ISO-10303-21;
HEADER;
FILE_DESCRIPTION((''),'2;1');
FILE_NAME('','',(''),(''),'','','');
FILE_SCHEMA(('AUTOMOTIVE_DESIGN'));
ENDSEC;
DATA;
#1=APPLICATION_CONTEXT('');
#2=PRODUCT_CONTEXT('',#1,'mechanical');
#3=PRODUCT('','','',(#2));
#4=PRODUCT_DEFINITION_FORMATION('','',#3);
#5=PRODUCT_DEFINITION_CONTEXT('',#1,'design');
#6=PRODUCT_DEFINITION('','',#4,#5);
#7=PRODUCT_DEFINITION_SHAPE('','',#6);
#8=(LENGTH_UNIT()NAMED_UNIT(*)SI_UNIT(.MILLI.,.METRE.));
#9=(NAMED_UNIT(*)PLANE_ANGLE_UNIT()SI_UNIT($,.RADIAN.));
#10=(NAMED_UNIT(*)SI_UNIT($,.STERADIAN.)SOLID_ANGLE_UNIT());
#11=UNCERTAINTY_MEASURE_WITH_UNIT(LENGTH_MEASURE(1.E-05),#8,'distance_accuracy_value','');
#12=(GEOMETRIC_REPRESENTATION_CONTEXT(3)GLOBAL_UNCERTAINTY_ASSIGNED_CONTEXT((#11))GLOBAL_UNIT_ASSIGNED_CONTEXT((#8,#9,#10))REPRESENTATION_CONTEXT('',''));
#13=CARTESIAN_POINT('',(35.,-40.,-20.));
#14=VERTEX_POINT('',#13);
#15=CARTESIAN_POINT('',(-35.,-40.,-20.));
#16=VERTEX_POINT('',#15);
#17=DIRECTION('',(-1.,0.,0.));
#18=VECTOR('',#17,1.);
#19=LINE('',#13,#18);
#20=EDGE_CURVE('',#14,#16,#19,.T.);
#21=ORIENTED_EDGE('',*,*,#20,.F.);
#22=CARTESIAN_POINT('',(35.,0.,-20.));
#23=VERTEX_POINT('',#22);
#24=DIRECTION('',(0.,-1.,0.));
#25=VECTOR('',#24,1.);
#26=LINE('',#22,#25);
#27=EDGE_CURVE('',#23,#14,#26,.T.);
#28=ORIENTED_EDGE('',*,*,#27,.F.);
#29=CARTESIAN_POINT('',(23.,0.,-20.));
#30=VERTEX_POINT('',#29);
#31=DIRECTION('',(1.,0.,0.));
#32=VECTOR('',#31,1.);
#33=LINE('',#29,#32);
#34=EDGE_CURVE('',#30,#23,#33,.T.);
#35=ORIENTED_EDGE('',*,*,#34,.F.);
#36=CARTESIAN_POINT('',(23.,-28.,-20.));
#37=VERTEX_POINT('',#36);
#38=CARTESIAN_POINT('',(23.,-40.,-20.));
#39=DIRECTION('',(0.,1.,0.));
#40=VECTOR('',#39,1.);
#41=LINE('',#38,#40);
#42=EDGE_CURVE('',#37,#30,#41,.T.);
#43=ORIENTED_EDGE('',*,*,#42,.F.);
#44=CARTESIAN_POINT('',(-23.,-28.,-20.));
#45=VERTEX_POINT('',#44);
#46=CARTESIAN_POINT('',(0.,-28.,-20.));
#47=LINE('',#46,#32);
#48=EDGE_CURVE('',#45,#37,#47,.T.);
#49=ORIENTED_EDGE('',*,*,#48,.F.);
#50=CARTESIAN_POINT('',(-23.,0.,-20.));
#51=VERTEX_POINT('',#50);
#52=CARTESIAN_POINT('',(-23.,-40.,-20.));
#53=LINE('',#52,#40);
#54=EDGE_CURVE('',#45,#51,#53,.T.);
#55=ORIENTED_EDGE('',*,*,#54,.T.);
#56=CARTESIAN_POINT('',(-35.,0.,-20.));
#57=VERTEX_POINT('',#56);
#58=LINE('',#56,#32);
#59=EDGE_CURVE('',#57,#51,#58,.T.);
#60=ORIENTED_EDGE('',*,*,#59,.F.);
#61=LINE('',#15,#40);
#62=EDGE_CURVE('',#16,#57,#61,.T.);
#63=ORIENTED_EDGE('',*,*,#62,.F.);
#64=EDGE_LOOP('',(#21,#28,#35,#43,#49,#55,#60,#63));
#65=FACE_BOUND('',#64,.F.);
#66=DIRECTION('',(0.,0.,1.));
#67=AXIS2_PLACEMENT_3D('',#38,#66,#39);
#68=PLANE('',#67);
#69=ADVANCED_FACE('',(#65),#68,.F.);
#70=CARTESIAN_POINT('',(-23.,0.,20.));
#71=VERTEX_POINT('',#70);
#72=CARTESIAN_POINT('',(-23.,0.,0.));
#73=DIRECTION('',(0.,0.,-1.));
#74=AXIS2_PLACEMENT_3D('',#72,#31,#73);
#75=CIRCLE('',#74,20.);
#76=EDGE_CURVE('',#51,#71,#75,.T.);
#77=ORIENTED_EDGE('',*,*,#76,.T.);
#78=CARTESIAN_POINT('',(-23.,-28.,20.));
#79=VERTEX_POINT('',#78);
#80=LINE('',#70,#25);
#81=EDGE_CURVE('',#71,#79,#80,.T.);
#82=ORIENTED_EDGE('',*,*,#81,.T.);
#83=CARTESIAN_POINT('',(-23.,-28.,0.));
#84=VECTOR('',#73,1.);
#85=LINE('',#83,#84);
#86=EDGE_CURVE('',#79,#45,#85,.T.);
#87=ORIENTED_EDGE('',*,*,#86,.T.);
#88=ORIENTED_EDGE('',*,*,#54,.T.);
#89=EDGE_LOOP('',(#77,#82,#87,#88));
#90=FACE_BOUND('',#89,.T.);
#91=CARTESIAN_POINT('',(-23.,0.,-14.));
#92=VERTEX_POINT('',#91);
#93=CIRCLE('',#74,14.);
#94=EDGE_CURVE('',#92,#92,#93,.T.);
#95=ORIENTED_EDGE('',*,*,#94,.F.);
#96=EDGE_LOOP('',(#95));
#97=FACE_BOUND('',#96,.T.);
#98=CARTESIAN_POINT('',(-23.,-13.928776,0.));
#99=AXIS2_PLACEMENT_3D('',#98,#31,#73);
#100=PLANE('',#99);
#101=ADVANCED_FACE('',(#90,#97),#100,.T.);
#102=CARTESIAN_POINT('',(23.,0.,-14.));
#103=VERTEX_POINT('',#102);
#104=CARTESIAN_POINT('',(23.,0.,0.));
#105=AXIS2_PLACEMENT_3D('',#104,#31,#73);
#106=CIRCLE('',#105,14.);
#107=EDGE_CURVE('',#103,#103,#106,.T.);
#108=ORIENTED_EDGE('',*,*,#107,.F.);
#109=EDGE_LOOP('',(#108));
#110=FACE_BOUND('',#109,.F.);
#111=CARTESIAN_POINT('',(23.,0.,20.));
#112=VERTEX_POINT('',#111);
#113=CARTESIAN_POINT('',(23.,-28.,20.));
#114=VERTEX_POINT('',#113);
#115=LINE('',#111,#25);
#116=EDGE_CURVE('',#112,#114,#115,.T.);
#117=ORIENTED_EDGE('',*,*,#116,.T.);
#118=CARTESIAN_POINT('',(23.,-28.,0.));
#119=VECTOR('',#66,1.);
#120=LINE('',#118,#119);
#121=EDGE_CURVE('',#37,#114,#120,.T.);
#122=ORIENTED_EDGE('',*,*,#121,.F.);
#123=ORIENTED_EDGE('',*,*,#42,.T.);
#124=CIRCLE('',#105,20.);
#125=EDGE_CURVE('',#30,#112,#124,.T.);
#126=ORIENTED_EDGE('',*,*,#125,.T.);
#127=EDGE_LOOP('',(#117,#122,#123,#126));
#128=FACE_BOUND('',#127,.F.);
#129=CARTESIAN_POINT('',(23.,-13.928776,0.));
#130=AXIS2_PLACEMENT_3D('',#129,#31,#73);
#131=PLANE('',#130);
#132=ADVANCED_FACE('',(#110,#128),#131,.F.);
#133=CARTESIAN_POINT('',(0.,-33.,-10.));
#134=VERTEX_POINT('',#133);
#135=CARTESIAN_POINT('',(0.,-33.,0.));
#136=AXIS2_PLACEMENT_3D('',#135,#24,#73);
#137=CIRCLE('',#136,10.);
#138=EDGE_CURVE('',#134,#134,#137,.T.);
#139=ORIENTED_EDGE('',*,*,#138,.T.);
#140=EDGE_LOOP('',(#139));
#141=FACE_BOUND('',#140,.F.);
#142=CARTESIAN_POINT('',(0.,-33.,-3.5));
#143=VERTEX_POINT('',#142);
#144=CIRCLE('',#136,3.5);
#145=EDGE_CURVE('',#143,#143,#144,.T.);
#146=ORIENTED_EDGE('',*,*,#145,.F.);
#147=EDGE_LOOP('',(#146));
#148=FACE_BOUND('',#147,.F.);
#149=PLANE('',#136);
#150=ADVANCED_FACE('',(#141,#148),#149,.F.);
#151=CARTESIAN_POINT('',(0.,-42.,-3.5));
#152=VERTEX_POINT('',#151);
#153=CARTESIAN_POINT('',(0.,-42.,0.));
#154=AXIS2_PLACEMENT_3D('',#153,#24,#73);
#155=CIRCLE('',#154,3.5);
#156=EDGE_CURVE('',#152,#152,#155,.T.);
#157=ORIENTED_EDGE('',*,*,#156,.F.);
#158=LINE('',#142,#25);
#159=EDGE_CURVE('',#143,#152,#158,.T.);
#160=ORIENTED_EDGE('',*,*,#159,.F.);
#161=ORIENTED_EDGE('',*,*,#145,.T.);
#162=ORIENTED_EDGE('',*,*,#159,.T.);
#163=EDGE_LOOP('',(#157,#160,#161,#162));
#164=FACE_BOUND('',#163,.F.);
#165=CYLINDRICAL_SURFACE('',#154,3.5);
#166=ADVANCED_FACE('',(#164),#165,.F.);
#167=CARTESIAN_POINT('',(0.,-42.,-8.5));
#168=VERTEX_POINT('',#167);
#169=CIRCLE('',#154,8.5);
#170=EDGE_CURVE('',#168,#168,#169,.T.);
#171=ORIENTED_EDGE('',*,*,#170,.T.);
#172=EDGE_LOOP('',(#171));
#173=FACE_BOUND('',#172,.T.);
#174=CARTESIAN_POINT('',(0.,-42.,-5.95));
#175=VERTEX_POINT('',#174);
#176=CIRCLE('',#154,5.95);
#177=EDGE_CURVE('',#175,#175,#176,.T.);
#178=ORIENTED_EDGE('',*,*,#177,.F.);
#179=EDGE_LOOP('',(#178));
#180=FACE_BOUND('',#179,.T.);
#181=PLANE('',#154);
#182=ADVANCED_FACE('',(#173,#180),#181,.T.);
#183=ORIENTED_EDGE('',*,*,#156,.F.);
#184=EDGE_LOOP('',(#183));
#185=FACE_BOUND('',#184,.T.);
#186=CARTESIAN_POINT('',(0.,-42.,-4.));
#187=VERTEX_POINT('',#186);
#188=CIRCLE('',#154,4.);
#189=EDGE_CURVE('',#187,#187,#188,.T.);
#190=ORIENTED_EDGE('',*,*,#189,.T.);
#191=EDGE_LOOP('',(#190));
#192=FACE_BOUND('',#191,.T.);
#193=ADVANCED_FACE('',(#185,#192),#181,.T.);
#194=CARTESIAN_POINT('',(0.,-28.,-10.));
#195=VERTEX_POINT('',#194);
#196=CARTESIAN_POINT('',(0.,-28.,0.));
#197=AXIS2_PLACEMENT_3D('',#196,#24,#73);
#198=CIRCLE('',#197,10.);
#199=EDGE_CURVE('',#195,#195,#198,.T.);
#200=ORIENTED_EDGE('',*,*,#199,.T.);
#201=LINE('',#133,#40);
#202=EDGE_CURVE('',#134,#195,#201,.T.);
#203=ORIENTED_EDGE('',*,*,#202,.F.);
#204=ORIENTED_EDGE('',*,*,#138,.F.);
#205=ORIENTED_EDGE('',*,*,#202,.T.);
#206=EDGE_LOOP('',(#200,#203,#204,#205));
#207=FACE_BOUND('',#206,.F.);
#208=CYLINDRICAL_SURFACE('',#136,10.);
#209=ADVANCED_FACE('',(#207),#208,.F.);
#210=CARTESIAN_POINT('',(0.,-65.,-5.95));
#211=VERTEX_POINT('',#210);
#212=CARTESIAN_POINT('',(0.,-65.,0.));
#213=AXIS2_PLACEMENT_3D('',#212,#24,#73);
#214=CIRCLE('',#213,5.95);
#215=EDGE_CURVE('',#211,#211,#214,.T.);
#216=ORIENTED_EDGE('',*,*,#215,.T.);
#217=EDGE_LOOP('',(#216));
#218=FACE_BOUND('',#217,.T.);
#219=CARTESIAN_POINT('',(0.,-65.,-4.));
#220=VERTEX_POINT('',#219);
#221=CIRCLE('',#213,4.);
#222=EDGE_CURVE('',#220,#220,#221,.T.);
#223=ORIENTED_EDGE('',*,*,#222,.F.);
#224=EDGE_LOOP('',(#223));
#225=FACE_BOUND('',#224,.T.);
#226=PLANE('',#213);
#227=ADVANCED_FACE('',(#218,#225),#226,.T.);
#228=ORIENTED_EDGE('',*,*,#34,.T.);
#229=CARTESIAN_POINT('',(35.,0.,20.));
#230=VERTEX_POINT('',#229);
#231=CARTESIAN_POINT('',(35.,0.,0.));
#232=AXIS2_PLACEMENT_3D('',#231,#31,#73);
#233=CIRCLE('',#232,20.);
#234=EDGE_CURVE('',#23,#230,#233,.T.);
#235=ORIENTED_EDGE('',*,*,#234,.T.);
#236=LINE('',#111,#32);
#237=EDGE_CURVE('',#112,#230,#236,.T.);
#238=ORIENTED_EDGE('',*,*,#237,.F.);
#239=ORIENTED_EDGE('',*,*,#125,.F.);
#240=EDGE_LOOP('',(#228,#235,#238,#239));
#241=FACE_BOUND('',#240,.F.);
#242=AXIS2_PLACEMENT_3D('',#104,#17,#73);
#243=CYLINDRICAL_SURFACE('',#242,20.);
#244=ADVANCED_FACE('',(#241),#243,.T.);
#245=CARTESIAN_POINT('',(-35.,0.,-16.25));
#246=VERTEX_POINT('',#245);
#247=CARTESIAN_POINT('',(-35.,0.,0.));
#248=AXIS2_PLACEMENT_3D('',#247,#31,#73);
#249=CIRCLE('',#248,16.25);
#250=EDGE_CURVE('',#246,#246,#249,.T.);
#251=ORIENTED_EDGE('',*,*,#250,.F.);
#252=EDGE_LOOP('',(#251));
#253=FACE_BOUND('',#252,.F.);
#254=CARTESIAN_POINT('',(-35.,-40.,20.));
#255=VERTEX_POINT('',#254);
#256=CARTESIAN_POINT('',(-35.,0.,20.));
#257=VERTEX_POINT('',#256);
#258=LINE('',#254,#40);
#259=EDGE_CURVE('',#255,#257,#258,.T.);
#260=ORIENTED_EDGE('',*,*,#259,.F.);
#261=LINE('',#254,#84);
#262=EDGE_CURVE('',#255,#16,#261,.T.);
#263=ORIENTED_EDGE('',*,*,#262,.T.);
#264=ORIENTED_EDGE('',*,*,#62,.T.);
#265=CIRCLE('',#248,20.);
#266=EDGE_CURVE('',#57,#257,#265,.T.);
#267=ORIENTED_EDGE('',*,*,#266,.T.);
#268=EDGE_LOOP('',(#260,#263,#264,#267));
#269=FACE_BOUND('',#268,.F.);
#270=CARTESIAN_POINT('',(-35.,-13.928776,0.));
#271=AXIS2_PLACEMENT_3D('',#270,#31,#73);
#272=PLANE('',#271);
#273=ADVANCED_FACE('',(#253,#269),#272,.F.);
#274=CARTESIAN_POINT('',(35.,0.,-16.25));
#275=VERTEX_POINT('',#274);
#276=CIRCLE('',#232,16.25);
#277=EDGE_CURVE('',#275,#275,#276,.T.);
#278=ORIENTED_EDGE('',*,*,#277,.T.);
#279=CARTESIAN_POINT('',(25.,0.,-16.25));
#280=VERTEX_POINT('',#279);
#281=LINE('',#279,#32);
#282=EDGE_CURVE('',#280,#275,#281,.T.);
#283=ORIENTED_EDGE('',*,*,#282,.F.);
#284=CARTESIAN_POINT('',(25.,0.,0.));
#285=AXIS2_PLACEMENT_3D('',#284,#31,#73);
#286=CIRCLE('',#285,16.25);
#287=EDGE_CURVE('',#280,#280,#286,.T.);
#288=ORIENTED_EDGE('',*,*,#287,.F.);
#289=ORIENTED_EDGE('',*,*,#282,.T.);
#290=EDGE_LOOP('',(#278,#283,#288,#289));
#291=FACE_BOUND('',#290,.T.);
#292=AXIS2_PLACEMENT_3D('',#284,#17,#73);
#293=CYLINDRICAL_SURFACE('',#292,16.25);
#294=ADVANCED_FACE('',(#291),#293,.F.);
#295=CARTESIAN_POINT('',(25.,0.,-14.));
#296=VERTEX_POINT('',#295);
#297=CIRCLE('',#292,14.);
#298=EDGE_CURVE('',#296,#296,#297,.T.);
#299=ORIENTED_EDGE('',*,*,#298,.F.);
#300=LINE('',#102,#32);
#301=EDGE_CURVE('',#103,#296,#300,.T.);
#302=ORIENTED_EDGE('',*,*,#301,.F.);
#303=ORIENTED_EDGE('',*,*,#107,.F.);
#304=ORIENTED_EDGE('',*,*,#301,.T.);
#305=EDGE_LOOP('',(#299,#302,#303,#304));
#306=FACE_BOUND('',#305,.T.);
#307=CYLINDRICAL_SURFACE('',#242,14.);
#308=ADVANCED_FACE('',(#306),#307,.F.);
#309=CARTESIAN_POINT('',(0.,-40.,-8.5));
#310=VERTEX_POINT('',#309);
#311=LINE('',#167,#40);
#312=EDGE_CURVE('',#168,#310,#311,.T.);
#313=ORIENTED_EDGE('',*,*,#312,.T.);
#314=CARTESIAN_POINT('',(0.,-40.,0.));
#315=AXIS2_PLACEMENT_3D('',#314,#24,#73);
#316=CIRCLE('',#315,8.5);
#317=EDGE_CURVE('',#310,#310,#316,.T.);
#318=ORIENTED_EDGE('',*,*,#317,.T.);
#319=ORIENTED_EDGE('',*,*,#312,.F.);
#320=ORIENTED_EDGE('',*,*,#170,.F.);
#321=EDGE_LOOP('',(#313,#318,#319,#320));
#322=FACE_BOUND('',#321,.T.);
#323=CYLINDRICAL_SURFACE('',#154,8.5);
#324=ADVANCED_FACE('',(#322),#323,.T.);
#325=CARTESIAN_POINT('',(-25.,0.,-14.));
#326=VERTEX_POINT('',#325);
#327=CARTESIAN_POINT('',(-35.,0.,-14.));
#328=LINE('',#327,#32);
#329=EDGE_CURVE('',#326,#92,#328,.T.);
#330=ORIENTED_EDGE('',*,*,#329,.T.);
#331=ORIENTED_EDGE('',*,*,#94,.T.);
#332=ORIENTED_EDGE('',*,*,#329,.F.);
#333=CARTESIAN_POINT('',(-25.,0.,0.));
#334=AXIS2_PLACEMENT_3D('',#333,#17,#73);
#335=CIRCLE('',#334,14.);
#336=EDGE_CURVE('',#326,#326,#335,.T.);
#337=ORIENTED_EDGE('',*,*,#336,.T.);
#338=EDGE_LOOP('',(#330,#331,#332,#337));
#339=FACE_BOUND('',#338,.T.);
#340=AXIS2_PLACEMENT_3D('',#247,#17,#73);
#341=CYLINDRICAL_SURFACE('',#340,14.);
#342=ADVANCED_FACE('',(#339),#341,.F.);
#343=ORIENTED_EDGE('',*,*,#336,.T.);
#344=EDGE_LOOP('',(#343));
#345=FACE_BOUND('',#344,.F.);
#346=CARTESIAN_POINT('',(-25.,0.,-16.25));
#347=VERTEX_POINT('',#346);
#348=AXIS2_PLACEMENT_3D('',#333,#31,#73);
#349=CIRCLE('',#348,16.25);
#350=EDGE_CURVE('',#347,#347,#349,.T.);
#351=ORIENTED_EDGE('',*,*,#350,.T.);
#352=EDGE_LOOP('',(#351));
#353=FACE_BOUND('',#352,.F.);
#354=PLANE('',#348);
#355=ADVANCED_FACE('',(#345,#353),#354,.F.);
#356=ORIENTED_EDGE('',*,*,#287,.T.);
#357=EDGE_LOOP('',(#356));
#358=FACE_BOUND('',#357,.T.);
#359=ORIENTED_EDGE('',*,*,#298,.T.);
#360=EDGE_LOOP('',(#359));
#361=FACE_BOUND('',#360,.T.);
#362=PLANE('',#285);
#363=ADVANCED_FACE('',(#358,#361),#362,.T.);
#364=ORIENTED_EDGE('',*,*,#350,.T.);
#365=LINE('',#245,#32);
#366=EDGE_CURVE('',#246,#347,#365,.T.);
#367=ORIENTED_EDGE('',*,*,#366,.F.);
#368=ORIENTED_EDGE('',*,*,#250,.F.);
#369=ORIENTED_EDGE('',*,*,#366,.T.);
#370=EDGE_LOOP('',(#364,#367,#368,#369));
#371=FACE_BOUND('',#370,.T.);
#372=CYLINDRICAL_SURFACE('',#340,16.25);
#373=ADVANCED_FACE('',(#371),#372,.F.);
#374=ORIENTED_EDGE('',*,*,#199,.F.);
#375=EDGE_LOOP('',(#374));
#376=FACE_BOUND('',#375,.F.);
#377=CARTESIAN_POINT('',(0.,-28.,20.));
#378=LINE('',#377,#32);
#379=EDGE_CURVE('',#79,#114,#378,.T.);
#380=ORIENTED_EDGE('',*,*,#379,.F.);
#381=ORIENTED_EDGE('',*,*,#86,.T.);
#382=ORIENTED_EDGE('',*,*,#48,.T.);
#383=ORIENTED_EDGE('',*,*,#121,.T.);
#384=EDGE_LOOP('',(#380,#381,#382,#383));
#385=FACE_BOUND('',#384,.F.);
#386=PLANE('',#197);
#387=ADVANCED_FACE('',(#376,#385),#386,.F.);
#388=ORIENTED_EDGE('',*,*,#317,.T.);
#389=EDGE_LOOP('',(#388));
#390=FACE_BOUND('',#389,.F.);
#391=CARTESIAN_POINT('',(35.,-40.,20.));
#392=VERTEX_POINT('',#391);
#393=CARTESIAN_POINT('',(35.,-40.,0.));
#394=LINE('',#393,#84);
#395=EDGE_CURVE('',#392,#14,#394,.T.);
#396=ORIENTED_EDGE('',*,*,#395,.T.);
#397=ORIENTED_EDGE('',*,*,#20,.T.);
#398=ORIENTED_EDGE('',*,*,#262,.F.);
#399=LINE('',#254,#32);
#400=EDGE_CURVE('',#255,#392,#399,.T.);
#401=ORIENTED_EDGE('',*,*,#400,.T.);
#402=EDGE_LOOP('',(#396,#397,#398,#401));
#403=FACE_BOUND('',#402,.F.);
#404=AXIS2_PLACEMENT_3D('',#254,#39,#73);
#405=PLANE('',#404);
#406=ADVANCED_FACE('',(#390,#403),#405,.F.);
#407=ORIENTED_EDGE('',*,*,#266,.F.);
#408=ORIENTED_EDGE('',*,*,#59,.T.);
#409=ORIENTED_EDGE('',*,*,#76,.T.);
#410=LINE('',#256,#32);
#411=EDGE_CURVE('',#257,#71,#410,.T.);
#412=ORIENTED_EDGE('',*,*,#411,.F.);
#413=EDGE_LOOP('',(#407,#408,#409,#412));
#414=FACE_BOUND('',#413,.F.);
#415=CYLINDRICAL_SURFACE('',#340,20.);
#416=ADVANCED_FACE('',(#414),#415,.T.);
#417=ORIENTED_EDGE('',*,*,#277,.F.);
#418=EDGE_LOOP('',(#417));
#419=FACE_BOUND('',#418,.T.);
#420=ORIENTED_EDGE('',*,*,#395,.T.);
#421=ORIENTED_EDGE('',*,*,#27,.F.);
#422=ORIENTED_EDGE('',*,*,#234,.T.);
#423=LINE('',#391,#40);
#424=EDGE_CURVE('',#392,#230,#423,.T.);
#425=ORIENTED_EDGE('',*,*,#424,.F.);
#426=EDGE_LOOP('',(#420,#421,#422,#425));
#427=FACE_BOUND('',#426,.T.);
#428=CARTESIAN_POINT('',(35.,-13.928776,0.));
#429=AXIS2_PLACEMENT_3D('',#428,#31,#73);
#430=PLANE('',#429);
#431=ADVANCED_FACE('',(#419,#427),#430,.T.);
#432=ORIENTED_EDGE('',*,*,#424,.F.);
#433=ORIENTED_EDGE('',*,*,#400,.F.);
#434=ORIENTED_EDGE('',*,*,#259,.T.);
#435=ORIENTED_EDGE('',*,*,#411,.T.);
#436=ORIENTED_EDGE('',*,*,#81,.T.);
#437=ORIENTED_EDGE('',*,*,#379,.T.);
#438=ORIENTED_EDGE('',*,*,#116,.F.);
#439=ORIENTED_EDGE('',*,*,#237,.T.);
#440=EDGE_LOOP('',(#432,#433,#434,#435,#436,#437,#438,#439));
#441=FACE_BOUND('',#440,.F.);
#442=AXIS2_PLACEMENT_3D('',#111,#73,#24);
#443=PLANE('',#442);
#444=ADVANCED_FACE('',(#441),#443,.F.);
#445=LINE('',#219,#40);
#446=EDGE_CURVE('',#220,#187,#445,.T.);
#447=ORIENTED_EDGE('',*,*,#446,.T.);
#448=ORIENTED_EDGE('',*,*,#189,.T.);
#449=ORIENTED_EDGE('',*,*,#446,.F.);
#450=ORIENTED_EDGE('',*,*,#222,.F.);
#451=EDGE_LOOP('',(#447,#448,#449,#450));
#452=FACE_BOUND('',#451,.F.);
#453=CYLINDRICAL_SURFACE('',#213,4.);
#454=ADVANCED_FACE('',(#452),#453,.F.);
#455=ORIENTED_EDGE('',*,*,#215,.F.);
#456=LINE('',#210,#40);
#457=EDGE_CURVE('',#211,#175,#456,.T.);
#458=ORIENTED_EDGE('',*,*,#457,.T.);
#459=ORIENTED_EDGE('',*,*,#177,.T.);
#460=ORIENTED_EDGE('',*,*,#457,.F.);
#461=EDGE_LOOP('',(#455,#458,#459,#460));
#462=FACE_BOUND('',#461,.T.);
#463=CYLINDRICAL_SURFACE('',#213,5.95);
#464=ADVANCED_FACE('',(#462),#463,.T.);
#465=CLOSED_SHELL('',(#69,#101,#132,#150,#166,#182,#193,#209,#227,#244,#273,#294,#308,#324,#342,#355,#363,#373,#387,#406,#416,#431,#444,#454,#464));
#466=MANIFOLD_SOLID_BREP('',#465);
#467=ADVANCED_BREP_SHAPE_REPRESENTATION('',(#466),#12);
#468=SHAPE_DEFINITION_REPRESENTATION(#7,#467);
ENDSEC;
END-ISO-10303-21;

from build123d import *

# Parameters (mm, degrees)
SKETCH005_AS_DRAWN_R                 = 10
EXTRUDE005_DEPTH                     = 5
EXTRUDE005_ONTO_SKETCH005_ROLL_ANGLE = 90
SKETCH001_AS_DRAWN_W                 = 40
SKETCH001_AS_DRAWN_H                 = 70
SKETCH001_AS_DRAWN_R                 = 3.5
EXTRUDE002_DEPTH                     = 12
EXTRUDE002_ONTO_SKETCH001_ROLL_ANGLE = 90
SKETCH004_AS_DRAWN_R                 = 8.5
SKETCH004_AS_DRAWN_R_2               = 3.5
EXTRUDE004_DEPTH                     = 2
EXTRUDE004_ONTO_SKETCH004_ROLL_ANGLE = 90
SKETCH003_AS_DRAWN_R                 = 5.95
SKETCH003_AS_DRAWN_R_2               = 4
EXTRUDE003_DEPTH                     = 25
EXTRUDE003_ONTO_SKETCH003_ROLL_ANGLE = 90
CYLINDER001_R                        = 16.25
CYLINDER001_DEPTH                    = 10
SKETCH_R                             = 14
EXTRUDE_DEPTH                        = 12
CYLINDER_R                           = 16.25
CYLINDER_DEPTH                       = 10
EXTRUDE001_DEPTH                     = 12
FUSION_PITCH_ANGLE                   = 90


with BuildPart() as contra_nut_cut:
    # Sketch005 as drawn → Extrude005 (new)
    with BuildSketch(Plane.XY):
        Circle(SKETCH005_AS_DRAWN_R)
    extrude(amount=-EXTRUDE005_DEPTH)


with BuildPart() as contra_nut_cut_1:
    # Extrude005 onto Sketch005 roll: moved
    add(contra_nut_cut.part.rotate(Axis((0, 0, 0), (1, 0, 0)), EXTRUDE005_ONTO_SKETCH005_ROLL_ANGLE))


with BuildPart() as contra_nut_cut_2:
    # Extrude005 onto Sketch005 placement: moved
    add(contra_nut_cut_1.part)


with BuildPart() as contra_nut_cut_3:
    # Extrude005 placement: moved
    add(contra_nut_cut_2.part.moved(Location((0, -33, 0))))


with BuildPart() as nut_cut:
    # Sketch001 as drawn → Extrude002 (new)
    with BuildSketch(Plane.XY):
        Rectangle(SKETCH001_AS_DRAWN_W, SKETCH001_AS_DRAWN_H)
        Circle(SKETCH001_AS_DRAWN_R, mode=Mode.SUBTRACT)
    extrude(amount=-EXTRUDE002_DEPTH)


with BuildPart() as nut_cut_1:
    # Extrude002 onto Sketch001 roll: moved
    add(nut_cut.part.rotate(Axis((0, 0, 0), (1, 0, 0)), EXTRUDE002_ONTO_SKETCH001_ROLL_ANGLE))


with BuildPart() as nut_cut_2:
    # Extrude002 onto Sketch001 placement: moved
    add(nut_cut_1.part)


with BuildPart() as nut_cut_3:
    # Extrude002 placement: moved
    add(nut_cut_2.part.moved(Location((0, -40, 0))))

    # Cut002: cut contra-nut-cut
    add(contra_nut_cut_3.part, mode=Mode.SUBTRACT)


with BuildPart() as z_bearings_pad:
    # Sketch004 as drawn → Extrude004 (new)
    with BuildSketch(Plane.XY):
        Circle(SKETCH004_AS_DRAWN_R)
        Circle(SKETCH004_AS_DRAWN_R_2, mode=Mode.SUBTRACT)
    extrude(amount=-EXTRUDE004_DEPTH)


with BuildPart() as z_bearings_pad_1:
    # Extrude004 onto Sketch004 roll: moved
    add(z_bearings_pad.part.rotate(Axis((0, 0, 0), (1, 0, 0)), EXTRUDE004_ONTO_SKETCH004_ROLL_ANGLE))


with BuildPart() as z_bearings_pad_2:
    # Extrude004 onto Sketch004 placement: moved
    add(z_bearings_pad_1.part)


with BuildPart() as z_bearings_pad_3:
    # Extrude004 placement: moved
    add(z_bearings_pad_2.part.moved(Location((0, -42, 0))))


with BuildPart() as z_bearings_cylinder:
    # Sketch003 as drawn → Extrude003 (new)
    with BuildSketch(Plane.XY):
        Circle(SKETCH003_AS_DRAWN_R)
        Circle(SKETCH003_AS_DRAWN_R_2, mode=Mode.SUBTRACT)
    extrude(amount=-EXTRUDE003_DEPTH)


with BuildPart() as z_bearings_cylinder_1:
    # Extrude003 onto Sketch003 roll: moved
    add(z_bearings_cylinder.part.rotate(Axis((0, 0, 0), (1, 0, 0)), EXTRUDE003_ONTO_SKETCH003_ROLL_ANGLE))


with BuildPart() as z_bearings_cylinder_2:
    # Extrude003 onto Sketch003 placement: moved
    add(z_bearings_cylinder_1.part)


with BuildPart() as z_bearings_cylinder_3:
    # Extrude003 placement: moved
    add(z_bearings_cylinder_2.part.moved(Location((0, -65, 0))))


with BuildPart() as cylinder001:
    # Cylinder001 → Cylinder001 (new body)
    with BuildSketch(Plane.XY.offset(2)):
        Circle(CYLINDER001_R)
    extrude(amount=CYLINDER001_DEPTH)


with BuildPart() as bearing_nest_r_cut:
    # Sketch → Extrude (new body)
    with BuildSketch(Plane.XY):
        with BuildLine():
            ThreePointArc((20, 0), (0, 20), (-20, 0))
            Line((-20, 0), (-20, -40))
            Line((-20, -40), (20, -40))
            Line((20, -40), (20, 0))
        make_face()
        Circle(SKETCH_R, mode=Mode.SUBTRACT)
    extrude(amount=EXTRUDE_DEPTH)

    # Cut001: cut Cylinder001
    add(cylinder001.part, mode=Mode.SUBTRACT)


with BuildPart() as bearing_nest_r_cut_1:
    # Cut001 placement: moved
    add(bearing_nest_r_cut.part.moved(Location((0, 0, 23))))


with BuildPart() as cylinder:
    # Cylinder → Cylinder (new body)
    with BuildSketch(Plane.XY):
        Circle(CYLINDER_R)
    extrude(amount=CYLINDER_DEPTH)


with BuildPart() as fusion:
    # Sketch → Extrude001 (new body)
    with BuildSketch(Plane.XY):
        with BuildLine():
            ThreePointArc((20, 0), (0, 20), (-20, 0))
            Line((-20, 0), (-20, -40))
            Line((-20, -40), (20, -40))
            Line((20, -40), (20, 0))
        make_face()
        Circle(SKETCH_R, mode=Mode.SUBTRACT)
    extrude(amount=EXTRUDE001_DEPTH)

    # Cut: cut Cylinder
    add(cylinder.part, mode=Mode.SUBTRACT)


with BuildPart() as fusion_1:
    # Cut placement: moved
    add(fusion.part.moved(Location((0, 0, -35))))

    # Fusion: union nut-cut, z-bearings-pad, z-bearings-cylinder, bearing-nest-r-cut
    add(nut_cut_3.part)
    add(z_bearings_pad_3.part)
    add(z_bearings_cylinder_3.part)
    add(bearing_nest_r_cut_1.part)


with BuildPart() as fusion_2:
    # Fusion pitch: moved
    add(fusion_1.part.rotate(Axis((0, 0, 0), (0, 1, 0)), FUSION_PITCH_ANGLE))


with BuildPart() as fusion_3:
    # Fusion placement: moved
    add(fusion_2.part)


solid = fusion_3.part
